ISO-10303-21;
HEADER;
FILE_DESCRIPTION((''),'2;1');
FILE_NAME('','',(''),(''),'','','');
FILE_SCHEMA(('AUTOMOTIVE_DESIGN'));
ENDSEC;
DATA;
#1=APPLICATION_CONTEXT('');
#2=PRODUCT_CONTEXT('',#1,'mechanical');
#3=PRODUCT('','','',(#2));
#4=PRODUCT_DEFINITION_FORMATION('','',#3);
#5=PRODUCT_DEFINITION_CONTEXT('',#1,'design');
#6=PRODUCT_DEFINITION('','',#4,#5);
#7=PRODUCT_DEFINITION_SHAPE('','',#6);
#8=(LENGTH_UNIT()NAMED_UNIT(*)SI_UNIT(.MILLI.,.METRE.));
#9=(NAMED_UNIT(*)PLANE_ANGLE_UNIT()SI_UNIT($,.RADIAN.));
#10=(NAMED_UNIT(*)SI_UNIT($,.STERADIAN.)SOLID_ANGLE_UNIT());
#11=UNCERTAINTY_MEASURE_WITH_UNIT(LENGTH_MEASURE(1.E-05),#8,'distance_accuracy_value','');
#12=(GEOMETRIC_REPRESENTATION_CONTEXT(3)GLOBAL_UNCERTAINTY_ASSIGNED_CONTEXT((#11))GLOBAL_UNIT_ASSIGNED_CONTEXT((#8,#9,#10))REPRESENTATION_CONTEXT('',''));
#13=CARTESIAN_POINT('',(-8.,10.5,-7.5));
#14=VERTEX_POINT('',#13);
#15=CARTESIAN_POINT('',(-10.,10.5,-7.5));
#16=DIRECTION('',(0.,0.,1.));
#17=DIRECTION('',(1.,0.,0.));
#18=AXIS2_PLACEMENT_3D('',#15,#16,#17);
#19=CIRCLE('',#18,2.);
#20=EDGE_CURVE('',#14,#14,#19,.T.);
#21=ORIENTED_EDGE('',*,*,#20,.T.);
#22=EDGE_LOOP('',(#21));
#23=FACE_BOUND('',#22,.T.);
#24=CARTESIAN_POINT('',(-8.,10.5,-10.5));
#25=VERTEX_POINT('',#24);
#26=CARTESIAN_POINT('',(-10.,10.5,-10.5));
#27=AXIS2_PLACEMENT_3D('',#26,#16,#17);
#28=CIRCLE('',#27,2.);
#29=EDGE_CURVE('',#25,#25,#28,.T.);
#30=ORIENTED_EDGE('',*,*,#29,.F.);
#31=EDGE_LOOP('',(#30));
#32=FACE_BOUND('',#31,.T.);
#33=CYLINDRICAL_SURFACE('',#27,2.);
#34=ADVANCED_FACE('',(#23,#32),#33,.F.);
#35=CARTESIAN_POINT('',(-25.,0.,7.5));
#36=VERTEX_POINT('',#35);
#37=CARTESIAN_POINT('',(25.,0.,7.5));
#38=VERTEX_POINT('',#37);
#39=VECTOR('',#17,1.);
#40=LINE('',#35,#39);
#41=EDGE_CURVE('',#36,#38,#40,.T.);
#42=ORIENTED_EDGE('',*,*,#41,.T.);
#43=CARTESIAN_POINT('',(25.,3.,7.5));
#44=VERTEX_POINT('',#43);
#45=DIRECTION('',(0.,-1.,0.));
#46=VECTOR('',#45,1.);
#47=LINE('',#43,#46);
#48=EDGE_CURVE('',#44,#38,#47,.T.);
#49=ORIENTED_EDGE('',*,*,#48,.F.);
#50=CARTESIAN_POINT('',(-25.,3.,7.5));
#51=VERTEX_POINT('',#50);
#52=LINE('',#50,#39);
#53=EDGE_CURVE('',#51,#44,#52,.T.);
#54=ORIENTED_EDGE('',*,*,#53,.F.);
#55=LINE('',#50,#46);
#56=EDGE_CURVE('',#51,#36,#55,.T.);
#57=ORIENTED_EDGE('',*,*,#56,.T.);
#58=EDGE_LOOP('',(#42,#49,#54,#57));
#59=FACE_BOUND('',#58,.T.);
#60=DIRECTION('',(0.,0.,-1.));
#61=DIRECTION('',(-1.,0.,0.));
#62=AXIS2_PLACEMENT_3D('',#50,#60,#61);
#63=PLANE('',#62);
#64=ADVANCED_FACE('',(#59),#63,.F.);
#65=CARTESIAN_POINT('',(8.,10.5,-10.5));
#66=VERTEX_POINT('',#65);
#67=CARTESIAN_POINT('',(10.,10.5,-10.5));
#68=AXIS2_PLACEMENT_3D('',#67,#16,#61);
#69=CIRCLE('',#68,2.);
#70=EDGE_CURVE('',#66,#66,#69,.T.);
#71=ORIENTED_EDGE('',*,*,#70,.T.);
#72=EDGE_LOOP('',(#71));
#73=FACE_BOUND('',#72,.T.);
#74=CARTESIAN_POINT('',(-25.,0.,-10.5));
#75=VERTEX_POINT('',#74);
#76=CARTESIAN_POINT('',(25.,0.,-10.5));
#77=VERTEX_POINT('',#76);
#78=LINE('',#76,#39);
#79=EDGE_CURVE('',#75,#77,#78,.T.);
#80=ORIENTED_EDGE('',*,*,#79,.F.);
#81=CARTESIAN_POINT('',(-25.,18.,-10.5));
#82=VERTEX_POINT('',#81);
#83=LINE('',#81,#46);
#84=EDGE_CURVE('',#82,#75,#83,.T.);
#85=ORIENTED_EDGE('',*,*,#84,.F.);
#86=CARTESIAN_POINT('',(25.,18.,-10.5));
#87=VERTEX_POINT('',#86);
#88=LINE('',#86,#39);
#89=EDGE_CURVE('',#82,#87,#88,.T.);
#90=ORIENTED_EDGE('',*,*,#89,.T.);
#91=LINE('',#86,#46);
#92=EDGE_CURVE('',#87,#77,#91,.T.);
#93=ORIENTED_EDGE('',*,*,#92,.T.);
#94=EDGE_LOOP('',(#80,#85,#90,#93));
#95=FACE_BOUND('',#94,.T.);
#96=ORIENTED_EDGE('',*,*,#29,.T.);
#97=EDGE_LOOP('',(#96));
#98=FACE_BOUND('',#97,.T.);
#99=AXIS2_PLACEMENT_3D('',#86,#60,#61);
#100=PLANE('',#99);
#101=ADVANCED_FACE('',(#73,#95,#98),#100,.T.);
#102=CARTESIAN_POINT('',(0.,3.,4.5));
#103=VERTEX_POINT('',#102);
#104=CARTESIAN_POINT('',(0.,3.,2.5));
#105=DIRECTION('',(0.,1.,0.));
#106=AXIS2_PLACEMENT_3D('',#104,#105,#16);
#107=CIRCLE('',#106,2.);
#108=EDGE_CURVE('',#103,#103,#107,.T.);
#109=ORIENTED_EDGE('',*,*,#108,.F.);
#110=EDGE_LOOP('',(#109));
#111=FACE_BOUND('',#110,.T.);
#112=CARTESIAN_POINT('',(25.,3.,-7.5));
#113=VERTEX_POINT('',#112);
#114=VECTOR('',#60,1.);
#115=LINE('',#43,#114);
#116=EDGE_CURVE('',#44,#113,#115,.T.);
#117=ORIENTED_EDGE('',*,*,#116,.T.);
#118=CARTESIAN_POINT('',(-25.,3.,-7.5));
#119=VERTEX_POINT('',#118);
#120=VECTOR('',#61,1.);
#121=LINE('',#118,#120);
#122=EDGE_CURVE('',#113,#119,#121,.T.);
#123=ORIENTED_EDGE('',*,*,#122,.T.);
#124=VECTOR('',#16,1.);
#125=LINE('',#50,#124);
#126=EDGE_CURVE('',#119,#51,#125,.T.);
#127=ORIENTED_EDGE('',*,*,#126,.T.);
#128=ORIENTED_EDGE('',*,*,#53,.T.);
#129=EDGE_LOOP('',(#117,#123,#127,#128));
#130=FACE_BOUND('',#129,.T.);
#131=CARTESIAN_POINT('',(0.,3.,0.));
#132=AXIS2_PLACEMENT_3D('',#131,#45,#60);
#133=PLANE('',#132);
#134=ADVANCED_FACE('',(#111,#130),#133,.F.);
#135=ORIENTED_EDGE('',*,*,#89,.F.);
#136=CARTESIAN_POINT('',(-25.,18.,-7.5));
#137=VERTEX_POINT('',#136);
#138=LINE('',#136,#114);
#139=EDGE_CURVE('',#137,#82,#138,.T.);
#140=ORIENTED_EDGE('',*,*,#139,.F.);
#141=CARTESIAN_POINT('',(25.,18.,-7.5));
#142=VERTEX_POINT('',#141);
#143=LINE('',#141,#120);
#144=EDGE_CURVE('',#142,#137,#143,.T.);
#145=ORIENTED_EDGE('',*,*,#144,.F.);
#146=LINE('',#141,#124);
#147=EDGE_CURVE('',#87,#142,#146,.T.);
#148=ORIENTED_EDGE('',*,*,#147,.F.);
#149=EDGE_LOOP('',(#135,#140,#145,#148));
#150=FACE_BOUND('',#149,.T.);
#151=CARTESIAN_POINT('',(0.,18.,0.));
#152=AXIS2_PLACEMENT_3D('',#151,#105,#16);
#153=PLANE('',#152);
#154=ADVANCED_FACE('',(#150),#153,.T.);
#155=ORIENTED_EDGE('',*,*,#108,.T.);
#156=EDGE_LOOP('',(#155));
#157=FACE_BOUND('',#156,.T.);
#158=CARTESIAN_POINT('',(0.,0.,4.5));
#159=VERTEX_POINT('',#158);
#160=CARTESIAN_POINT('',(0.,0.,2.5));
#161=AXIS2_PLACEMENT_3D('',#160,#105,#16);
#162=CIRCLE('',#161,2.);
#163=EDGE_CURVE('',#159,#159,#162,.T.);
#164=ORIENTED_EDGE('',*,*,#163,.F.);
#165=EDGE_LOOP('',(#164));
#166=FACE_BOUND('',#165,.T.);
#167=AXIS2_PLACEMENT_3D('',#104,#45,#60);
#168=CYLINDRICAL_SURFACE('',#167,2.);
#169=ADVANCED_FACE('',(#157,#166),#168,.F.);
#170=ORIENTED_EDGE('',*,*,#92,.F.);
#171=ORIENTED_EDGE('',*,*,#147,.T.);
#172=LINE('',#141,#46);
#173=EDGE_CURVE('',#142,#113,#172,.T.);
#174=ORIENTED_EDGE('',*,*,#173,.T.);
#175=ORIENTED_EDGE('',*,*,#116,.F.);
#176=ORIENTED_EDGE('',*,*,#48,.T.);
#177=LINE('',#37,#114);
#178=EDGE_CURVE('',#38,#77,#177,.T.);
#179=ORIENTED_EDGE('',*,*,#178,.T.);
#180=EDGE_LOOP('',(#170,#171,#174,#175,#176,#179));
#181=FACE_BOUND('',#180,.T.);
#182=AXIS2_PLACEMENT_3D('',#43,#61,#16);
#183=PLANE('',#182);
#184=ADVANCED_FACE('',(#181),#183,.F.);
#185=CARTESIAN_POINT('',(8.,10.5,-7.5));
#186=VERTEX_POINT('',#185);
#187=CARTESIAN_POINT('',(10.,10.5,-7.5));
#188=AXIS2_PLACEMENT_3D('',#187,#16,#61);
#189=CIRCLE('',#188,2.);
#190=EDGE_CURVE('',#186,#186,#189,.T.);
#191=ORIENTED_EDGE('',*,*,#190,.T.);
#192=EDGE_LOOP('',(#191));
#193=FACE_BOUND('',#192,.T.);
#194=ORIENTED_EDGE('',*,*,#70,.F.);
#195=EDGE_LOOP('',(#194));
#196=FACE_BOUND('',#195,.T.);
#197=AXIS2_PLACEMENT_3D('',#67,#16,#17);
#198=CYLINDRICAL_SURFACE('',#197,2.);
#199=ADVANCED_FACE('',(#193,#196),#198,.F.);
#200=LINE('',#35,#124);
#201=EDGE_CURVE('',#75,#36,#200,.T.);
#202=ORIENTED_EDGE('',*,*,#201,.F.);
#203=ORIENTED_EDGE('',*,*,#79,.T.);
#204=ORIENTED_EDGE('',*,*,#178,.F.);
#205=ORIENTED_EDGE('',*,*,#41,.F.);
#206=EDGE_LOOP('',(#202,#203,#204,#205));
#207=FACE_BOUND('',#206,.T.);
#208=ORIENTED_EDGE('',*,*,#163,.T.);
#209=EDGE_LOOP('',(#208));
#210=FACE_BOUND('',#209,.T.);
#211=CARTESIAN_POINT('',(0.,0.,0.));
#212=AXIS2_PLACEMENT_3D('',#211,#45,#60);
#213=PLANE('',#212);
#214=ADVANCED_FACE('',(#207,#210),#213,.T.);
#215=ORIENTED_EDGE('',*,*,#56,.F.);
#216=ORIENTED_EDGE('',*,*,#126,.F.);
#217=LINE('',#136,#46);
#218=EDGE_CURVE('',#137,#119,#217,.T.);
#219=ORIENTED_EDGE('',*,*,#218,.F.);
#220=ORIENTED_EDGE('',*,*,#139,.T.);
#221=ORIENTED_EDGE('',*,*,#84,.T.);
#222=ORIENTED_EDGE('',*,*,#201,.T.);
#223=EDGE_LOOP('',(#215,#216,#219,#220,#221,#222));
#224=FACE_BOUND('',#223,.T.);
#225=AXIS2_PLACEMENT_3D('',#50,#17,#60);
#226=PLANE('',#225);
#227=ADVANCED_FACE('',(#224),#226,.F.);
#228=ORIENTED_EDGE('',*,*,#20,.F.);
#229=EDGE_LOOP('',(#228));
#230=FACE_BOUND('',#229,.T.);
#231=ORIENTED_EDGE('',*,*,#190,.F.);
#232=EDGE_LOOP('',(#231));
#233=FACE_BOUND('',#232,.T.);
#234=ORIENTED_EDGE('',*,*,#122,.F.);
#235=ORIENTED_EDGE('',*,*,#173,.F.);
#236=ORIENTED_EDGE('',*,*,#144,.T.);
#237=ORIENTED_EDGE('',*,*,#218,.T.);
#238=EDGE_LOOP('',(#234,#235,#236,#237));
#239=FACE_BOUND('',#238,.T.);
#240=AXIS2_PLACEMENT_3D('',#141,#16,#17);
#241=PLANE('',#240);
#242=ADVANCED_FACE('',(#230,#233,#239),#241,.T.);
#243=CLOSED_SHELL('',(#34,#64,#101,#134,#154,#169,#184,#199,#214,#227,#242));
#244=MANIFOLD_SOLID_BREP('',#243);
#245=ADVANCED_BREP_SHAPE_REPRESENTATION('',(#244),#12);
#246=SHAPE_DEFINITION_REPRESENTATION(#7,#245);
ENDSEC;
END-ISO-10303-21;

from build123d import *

# Parameters (mm, degrees)
SKETCH1_W           = 50
SKETCH1_H           = 15
SKETCH1_R           = 2
BOSS_EXTRUDE1_DEPTH = 3
SKETCH2_W           = 50
SKETCH2_H           = 3
BOSS_EXTRUDE2_DEPTH = 18
SKETCH3_R           = 2
CUT_EXTRUDE1_DEPTH  = 3


with BuildPart() as part:
    # Sketch1 → Boss-Extrude1 (new body)
    with BuildSketch(Plane(origin=(0, 0, 0), x_dir=(1, 0, 0), z_dir=(0, 1, 0))):
        Rectangle(SKETCH1_W, SKETCH1_H)
        with Locations(Location((0, -2.5, 0), (0, 0, 270))):
            Circle(SKETCH1_R, mode=Mode.SUBTRACT)
    extrude(amount=BOSS_EXTRUDE1_DEPTH)

    # Sketch2 → Boss-Extrude2 (add)
    with BuildSketch(Plane.XZ):
        with Locations((0, -9)):
            Rectangle(SKETCH2_W, SKETCH2_H)
    extrude(amount=-BOSS_EXTRUDE2_DEPTH)

    # Sketch3 → Cut-Extrude1 (cut)
    with BuildSketch(Plane.XY.offset(-7.5)):
        with Locations((-10, 10.5)):
            Circle(SKETCH3_R)
        with Locations(Location((10, 10.5, 0), (0, 0, 180))):
            Circle(SKETCH3_R)
    extrude(amount=-CUT_EXTRUDE1_DEPTH, mode=Mode.SUBTRACT)


solid = part.part
